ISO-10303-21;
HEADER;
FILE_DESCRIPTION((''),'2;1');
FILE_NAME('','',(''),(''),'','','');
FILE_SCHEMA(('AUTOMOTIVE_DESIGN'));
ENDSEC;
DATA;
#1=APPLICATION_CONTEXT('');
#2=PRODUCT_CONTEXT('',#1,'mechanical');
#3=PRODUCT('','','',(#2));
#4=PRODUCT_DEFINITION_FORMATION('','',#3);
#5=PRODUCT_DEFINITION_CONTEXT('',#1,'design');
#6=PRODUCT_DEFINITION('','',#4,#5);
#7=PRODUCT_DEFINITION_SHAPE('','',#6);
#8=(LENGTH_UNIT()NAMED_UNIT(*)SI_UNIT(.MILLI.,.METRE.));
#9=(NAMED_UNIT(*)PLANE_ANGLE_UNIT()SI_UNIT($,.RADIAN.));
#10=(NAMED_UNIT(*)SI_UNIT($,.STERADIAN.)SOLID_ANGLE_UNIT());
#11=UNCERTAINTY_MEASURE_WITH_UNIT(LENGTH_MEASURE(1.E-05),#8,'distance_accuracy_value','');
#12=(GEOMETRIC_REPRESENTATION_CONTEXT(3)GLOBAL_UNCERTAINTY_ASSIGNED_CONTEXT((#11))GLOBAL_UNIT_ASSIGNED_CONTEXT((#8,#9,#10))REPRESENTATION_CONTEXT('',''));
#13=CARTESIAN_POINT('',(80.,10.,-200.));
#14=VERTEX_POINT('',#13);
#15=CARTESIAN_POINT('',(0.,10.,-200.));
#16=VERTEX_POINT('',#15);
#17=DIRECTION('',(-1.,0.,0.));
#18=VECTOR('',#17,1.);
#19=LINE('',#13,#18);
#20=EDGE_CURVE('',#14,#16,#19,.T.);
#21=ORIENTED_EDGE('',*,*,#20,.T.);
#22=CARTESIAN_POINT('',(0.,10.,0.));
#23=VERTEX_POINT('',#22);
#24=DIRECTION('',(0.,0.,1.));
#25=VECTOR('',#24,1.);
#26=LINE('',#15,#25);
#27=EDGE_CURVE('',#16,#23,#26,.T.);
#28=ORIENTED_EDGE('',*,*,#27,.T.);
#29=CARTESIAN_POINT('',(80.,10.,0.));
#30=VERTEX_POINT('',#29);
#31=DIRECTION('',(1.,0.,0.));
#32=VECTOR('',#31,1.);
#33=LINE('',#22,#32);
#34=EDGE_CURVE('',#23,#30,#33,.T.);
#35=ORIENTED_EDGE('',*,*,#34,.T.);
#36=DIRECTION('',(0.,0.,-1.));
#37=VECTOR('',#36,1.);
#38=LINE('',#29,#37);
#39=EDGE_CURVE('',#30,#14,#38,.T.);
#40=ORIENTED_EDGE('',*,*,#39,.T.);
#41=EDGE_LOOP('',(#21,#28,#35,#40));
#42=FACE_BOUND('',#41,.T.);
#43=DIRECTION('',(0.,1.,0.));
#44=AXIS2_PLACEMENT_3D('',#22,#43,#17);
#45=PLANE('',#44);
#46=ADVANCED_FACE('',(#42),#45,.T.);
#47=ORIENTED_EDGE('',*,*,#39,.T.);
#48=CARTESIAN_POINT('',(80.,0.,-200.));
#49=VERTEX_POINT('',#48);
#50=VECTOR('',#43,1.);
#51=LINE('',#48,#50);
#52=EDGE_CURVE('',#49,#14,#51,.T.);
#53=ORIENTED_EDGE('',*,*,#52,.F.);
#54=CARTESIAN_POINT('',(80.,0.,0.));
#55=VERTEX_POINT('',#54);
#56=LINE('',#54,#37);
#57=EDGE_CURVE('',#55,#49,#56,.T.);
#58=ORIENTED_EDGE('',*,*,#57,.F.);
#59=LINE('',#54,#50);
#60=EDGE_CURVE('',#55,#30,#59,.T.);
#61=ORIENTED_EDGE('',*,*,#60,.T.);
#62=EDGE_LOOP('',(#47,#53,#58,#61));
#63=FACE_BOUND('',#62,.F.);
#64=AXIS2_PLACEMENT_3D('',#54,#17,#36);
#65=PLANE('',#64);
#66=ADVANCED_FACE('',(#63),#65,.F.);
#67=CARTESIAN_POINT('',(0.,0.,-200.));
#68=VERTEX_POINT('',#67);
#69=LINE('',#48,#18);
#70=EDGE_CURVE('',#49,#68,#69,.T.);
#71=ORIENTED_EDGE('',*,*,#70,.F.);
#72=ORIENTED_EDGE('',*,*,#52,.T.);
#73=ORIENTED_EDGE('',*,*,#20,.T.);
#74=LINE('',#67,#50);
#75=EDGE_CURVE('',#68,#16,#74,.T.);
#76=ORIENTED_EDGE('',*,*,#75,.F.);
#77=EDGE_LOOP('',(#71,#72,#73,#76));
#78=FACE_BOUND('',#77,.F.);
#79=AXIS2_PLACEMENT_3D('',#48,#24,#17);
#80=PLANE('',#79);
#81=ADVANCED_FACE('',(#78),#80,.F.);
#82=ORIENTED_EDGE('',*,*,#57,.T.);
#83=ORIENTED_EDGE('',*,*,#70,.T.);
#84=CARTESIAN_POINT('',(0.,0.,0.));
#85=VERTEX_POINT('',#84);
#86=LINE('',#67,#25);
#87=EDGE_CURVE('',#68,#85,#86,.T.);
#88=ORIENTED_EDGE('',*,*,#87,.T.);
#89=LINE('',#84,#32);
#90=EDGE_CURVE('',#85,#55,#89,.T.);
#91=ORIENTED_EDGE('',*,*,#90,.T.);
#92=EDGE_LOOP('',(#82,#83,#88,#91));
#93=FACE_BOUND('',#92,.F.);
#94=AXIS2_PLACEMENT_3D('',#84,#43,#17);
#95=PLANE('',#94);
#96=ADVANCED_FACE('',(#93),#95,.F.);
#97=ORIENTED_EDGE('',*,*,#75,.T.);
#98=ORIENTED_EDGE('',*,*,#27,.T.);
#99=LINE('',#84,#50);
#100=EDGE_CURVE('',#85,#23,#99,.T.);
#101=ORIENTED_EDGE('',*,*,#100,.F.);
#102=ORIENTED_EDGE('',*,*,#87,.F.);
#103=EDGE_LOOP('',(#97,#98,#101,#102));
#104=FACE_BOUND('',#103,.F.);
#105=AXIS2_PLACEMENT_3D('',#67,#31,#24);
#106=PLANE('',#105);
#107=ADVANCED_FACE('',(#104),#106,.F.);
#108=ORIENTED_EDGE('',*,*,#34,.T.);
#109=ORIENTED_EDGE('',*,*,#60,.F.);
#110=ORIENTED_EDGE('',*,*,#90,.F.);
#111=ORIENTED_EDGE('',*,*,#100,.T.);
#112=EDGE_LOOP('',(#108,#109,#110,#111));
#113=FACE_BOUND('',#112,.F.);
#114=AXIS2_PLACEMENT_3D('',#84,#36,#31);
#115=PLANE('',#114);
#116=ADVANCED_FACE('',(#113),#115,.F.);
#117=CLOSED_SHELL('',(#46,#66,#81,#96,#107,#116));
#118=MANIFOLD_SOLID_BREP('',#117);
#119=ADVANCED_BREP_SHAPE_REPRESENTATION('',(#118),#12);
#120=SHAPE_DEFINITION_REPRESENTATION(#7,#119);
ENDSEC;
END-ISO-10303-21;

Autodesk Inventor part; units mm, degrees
ref_plane "YZ Plane" through (0, 0, 0) normal (1, 0, 0) x (0, 1, 0)
ref_plane "XZ Plane" through (0, 0, 0) normal (0, 1, 0) x (-1, 0, 0)
ref_plane "XY Plane" through (0, 0, 0) normal (0, 0, 1) x (1, 0, 0)
sketch "Boceto1" plane through (0, 0, 0) normal (0, 1, 0) x (-1, 0, 0)
  line L0 (0, 0) -> (-80, 0)
  line L1 (-80, 0) -> (-80, -200)
  line L2 (-80, -200) -> (0, -200)
  line L3 (0, -200) -> (0, 0)
  dimension "d0" = 80
  dimension "d1" = 200
extrude "Extrusión1" add sketch "Boceto1" along normal blind 10
properties part number "Base sierra"
